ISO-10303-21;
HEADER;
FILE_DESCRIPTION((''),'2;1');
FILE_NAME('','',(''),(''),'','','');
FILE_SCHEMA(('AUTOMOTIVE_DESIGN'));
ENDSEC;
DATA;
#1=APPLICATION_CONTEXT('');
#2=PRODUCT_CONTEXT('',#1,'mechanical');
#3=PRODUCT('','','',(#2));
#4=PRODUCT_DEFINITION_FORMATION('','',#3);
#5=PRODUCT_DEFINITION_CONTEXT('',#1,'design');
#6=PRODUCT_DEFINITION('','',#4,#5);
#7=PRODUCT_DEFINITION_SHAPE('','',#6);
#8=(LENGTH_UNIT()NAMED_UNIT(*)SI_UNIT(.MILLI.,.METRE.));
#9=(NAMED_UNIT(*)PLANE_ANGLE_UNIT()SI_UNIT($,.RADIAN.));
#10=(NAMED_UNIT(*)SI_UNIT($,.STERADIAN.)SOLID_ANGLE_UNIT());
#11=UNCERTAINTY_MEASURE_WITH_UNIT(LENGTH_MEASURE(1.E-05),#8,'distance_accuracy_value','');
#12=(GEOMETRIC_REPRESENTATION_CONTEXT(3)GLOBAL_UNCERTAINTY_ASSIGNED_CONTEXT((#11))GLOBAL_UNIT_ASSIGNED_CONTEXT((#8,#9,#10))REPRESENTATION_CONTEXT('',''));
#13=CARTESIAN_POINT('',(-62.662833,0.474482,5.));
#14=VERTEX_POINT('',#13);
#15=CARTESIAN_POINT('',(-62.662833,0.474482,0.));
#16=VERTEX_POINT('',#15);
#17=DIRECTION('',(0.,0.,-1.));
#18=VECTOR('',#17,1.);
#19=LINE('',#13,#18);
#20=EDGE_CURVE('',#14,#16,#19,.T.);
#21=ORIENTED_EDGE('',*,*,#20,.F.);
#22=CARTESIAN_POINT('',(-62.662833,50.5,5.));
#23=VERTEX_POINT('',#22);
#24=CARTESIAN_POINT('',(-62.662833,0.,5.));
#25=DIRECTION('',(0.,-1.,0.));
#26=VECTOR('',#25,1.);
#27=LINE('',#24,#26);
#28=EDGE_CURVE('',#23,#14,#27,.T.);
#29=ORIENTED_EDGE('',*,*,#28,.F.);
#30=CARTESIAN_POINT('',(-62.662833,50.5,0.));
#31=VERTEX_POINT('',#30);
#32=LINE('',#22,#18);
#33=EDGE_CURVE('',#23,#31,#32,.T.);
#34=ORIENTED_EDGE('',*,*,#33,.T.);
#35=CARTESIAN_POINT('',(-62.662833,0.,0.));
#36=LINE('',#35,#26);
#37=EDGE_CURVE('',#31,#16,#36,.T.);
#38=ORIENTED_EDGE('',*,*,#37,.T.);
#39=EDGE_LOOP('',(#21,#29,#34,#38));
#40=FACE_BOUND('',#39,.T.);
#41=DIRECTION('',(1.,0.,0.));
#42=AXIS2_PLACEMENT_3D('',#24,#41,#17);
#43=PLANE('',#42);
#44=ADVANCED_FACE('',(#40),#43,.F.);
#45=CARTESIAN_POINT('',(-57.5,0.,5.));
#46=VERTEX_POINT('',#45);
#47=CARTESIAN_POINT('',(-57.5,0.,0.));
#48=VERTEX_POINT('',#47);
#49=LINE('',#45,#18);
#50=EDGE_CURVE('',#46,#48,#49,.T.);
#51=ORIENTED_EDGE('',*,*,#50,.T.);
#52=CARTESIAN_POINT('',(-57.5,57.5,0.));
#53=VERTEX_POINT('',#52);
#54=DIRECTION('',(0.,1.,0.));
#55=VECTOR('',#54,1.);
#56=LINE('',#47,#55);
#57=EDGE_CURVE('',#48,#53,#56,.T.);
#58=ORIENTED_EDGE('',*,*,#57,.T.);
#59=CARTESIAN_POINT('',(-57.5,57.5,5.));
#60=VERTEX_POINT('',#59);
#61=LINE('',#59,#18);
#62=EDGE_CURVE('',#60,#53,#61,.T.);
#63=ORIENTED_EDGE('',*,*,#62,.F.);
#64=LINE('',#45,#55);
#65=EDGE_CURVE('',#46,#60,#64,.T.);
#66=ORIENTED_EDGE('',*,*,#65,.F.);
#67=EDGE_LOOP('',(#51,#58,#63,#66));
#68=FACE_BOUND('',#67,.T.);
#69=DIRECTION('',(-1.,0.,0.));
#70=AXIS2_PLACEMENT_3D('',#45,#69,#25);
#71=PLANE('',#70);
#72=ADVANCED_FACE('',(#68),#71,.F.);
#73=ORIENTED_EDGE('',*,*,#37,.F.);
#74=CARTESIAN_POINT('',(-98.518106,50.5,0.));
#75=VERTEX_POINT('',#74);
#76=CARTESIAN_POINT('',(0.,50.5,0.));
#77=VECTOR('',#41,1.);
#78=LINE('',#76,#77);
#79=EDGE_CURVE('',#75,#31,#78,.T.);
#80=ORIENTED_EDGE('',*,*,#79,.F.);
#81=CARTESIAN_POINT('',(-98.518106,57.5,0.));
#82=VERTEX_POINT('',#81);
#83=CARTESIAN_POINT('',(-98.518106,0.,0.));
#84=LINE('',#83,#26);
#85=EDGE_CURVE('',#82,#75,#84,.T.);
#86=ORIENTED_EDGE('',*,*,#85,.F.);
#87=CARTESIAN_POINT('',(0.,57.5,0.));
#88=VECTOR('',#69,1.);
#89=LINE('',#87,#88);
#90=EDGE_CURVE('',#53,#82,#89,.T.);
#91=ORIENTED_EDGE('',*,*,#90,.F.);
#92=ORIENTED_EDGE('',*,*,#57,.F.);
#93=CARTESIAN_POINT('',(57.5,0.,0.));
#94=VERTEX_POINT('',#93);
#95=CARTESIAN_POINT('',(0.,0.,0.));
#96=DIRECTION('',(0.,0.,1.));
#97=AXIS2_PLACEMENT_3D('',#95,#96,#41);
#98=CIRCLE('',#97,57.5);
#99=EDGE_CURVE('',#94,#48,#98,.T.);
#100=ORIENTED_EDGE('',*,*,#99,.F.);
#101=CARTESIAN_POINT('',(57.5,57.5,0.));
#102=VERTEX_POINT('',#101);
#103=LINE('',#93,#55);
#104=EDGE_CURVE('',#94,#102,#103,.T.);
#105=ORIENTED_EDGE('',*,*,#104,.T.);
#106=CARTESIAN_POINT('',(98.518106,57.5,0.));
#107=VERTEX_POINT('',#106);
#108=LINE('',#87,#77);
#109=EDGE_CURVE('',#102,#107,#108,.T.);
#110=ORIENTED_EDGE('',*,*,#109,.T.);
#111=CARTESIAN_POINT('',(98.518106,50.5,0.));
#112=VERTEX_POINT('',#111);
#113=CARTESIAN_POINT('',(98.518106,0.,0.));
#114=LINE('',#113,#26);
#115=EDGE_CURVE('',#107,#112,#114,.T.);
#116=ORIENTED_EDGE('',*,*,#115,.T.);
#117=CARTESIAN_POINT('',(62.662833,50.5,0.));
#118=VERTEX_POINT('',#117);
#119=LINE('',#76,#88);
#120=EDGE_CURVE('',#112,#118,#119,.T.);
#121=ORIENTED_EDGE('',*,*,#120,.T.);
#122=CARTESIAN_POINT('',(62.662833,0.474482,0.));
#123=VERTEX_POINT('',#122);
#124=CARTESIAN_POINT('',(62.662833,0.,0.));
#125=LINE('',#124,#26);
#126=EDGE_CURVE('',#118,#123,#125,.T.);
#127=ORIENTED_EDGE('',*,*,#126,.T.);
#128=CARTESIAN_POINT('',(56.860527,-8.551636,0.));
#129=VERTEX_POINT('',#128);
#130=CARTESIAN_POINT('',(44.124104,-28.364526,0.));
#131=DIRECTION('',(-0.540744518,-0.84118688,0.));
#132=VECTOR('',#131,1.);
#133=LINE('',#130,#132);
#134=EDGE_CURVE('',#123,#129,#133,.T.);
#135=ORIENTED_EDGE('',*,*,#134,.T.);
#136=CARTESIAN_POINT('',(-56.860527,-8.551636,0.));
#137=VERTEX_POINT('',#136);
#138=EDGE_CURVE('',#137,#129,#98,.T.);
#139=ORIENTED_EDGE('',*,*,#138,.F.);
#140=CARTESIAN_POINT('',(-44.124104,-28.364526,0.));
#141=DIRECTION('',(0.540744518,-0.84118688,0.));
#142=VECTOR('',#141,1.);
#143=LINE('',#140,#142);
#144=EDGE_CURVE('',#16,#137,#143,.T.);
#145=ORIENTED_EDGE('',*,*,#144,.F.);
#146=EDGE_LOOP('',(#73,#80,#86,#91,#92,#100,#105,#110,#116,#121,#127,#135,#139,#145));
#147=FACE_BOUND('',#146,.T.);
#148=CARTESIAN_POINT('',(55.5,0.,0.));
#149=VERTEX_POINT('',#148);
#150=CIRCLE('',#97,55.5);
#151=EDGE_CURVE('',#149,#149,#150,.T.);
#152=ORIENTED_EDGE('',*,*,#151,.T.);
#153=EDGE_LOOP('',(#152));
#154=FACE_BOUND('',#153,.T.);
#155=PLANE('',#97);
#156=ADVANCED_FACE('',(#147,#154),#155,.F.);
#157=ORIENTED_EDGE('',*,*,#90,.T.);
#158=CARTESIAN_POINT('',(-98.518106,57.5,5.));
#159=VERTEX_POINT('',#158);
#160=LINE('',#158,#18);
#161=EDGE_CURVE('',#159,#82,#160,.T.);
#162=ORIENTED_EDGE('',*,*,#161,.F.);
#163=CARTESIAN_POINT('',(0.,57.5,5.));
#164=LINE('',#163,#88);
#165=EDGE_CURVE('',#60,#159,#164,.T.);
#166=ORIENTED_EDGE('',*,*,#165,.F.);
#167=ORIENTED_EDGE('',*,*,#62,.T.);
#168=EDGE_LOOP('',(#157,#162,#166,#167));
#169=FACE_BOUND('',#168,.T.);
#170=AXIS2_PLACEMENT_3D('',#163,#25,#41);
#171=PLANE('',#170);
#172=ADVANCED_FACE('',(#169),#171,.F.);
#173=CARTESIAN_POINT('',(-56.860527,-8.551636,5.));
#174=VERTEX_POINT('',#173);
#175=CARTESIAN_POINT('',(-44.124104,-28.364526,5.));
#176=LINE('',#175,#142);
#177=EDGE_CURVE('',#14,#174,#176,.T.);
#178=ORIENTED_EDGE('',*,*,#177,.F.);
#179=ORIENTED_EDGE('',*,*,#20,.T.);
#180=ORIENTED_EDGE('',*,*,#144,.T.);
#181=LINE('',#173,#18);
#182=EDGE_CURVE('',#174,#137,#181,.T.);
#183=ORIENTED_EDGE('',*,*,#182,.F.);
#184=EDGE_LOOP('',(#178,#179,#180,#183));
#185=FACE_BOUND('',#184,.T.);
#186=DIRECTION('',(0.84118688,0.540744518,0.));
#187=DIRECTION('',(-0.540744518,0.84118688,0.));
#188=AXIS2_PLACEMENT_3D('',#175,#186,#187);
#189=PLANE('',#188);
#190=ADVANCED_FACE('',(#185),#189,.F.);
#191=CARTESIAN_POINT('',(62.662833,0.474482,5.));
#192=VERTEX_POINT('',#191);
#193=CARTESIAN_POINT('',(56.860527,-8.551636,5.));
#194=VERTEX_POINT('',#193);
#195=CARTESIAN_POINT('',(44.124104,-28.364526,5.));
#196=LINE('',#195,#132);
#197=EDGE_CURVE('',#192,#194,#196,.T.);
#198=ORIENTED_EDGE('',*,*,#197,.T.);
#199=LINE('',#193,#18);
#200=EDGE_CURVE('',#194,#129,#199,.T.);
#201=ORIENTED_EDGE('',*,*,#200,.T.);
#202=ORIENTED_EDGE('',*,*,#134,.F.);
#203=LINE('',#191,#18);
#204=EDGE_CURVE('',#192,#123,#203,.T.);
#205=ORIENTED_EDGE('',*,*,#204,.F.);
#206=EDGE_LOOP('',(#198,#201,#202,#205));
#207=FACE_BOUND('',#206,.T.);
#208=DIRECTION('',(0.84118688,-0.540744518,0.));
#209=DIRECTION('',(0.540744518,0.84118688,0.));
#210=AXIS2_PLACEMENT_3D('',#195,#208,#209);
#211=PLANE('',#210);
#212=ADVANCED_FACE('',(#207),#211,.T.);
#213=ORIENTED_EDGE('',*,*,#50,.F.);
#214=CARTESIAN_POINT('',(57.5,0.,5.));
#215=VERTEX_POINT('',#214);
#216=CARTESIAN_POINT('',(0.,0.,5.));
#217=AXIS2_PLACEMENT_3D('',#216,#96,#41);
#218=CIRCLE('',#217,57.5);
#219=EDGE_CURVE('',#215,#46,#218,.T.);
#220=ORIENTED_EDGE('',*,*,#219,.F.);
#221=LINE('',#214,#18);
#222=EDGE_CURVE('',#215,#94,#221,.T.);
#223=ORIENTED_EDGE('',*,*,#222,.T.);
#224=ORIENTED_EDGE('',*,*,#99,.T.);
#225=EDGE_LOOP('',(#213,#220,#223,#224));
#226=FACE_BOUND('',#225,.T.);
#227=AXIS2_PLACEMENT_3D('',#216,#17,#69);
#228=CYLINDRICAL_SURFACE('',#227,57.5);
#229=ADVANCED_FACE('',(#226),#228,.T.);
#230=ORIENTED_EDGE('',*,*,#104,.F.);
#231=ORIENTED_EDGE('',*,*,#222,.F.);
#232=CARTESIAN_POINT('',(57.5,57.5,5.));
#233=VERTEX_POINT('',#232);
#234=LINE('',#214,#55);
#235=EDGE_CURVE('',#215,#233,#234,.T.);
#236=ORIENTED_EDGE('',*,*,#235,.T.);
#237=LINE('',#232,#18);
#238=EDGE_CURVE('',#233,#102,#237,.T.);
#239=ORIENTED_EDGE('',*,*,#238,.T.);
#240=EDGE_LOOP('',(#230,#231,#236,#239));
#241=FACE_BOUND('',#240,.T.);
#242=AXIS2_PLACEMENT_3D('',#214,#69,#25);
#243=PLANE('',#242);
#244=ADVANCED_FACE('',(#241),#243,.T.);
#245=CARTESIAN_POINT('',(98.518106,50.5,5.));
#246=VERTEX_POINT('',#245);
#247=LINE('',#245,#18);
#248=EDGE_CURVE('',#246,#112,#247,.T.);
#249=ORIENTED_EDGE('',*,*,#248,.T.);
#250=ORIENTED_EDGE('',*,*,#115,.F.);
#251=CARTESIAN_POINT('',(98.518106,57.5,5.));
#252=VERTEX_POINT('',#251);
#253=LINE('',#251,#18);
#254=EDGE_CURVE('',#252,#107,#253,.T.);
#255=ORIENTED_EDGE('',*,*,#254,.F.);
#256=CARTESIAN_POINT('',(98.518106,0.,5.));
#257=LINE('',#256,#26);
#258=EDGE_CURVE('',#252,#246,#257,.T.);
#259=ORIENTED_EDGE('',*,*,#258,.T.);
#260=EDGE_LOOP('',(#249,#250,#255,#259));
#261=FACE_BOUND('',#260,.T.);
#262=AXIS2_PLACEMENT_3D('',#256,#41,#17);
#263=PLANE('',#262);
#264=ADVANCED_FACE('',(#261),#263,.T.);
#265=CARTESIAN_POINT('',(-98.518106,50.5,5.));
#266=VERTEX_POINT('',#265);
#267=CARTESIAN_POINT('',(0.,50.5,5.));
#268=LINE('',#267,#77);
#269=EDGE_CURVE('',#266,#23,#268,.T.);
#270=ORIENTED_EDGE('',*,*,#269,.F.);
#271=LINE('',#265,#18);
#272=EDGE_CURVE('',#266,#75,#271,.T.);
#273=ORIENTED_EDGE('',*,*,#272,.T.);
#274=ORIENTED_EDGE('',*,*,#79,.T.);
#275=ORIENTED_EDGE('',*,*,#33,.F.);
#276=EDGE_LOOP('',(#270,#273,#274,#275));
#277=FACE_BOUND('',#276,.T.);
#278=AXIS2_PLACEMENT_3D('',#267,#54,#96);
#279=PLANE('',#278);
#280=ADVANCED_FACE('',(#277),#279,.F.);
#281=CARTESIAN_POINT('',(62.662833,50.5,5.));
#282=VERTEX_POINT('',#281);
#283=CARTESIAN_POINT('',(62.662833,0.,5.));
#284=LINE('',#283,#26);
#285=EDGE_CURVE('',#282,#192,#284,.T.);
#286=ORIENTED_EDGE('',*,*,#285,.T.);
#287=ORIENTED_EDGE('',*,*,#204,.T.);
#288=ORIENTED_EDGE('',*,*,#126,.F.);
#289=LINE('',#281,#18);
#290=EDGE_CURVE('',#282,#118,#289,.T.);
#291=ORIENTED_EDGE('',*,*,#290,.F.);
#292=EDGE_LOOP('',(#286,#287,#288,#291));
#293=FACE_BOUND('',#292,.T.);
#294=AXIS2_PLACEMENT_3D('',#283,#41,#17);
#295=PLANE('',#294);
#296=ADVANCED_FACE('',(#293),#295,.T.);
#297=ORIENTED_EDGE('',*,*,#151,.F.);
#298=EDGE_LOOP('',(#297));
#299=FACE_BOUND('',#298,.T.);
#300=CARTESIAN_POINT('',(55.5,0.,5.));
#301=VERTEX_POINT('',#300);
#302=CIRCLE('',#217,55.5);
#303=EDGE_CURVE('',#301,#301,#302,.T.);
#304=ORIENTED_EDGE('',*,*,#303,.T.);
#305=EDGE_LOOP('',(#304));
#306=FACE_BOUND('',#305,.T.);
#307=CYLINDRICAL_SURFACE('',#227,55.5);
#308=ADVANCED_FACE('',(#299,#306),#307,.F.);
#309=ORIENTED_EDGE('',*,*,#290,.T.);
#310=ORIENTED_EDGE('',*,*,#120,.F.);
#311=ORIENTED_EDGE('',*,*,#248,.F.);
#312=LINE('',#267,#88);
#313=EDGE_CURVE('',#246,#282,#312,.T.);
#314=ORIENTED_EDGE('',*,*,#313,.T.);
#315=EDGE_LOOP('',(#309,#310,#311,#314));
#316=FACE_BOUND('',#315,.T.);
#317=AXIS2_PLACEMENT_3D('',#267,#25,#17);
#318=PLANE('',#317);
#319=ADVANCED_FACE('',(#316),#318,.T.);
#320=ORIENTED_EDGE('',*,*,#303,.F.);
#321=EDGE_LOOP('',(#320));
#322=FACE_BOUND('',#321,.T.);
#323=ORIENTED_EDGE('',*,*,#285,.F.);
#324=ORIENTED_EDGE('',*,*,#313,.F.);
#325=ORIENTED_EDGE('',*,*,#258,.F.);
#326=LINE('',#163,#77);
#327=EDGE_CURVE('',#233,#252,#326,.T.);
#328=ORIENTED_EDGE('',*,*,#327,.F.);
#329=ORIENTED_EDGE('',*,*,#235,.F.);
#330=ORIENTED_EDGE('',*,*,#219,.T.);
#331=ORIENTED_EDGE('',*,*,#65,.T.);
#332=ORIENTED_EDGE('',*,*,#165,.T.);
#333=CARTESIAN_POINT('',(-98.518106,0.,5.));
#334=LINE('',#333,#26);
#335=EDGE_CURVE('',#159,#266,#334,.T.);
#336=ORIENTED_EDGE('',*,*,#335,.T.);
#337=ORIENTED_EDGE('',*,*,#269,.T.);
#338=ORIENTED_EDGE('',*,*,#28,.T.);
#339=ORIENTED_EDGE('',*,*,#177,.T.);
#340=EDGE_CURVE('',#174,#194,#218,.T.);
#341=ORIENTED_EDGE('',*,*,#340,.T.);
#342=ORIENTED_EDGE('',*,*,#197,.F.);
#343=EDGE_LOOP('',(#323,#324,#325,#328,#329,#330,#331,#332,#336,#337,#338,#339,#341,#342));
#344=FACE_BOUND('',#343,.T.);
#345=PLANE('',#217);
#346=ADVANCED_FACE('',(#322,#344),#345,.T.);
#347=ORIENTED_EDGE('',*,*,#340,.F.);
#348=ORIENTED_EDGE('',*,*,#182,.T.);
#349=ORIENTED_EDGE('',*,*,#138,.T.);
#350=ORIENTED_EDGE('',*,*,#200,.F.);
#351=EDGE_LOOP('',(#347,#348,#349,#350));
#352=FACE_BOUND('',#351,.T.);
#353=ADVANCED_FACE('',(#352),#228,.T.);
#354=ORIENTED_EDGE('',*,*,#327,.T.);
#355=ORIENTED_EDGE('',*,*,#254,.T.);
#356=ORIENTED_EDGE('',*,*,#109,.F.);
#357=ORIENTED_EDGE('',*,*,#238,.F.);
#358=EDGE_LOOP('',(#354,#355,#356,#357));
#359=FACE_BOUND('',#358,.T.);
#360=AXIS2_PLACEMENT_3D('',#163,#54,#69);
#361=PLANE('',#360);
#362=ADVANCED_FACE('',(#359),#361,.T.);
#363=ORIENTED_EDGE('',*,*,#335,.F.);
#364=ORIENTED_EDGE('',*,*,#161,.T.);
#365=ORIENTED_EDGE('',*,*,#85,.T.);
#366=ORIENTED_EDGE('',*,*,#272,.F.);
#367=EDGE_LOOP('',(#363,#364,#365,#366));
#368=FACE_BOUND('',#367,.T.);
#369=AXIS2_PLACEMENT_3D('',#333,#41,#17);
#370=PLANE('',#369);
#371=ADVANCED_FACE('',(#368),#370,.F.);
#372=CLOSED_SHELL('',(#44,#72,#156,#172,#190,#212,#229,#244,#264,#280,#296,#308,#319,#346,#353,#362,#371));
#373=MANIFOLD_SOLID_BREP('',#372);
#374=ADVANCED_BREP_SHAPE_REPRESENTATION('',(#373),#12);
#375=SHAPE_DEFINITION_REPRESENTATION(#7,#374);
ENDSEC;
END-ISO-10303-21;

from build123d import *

# Parameters (mm, degrees)
SKETCH1_R           = 57.5
SKETCH1_R_2         = 55.5
BOSS_EXTRUDE1_DEPTH = 5


with BuildPart() as part:
    # Sketch1 → Boss-Extrude1 (new body)
    # profile 1 of 3: a face of its own
    with BuildSketch(Plane.XY):
        with BuildLine():
            ThreePointArc((-56.86052693, -8.551635942), (-57.33990887, -4.287755914), (-57.5, 0))
            Line((-57.5, 0), (-57.5, 57.5))
            Line((-57.5, 57.5), (-98.518106022, 57.5))
            Line((-98.518106022, 57.5), (-98.518106022, 50.5))
            Line((-98.518106022, 50.5), (-62.662833113, 50.5))
            Line((-62.662833113, 50.5), (-62.662833113, 0.474482067))
            Line((-62.662833113, 0.474482067), (-56.86052693, -8.551635942))
        make_face()
    # profile 2 of 3: a face of its own
    with BuildSketch(Plane.XY):
        Circle(SKETCH1_R)
        Circle(SKETCH1_R_2, mode=Mode.SUBTRACT)
    # profile 3 of 3: a face of its own
    with BuildSketch(Plane.XY):
        with BuildLine():
            Line((57.5, 57.5), (57.5, 0))
            ThreePointArc((57.5, 0), (57.33990887, -4.287755914), (56.86052693, -8.551635942))
            Line((56.86052693, -8.551635942), (62.662833113, 0.474482067))
            Line((62.662833113, 0.474482067), (62.662833113, 50.5))
            Line((62.662833113, 50.5), (98.518106022, 50.5))
            Line((98.518106022, 50.5), (98.518106022, 57.5))
            Line((98.518106022, 57.5), (57.5, 57.5))
        make_face()
    extrude(amount=BOSS_EXTRUDE1_DEPTH)


solid = part.part
